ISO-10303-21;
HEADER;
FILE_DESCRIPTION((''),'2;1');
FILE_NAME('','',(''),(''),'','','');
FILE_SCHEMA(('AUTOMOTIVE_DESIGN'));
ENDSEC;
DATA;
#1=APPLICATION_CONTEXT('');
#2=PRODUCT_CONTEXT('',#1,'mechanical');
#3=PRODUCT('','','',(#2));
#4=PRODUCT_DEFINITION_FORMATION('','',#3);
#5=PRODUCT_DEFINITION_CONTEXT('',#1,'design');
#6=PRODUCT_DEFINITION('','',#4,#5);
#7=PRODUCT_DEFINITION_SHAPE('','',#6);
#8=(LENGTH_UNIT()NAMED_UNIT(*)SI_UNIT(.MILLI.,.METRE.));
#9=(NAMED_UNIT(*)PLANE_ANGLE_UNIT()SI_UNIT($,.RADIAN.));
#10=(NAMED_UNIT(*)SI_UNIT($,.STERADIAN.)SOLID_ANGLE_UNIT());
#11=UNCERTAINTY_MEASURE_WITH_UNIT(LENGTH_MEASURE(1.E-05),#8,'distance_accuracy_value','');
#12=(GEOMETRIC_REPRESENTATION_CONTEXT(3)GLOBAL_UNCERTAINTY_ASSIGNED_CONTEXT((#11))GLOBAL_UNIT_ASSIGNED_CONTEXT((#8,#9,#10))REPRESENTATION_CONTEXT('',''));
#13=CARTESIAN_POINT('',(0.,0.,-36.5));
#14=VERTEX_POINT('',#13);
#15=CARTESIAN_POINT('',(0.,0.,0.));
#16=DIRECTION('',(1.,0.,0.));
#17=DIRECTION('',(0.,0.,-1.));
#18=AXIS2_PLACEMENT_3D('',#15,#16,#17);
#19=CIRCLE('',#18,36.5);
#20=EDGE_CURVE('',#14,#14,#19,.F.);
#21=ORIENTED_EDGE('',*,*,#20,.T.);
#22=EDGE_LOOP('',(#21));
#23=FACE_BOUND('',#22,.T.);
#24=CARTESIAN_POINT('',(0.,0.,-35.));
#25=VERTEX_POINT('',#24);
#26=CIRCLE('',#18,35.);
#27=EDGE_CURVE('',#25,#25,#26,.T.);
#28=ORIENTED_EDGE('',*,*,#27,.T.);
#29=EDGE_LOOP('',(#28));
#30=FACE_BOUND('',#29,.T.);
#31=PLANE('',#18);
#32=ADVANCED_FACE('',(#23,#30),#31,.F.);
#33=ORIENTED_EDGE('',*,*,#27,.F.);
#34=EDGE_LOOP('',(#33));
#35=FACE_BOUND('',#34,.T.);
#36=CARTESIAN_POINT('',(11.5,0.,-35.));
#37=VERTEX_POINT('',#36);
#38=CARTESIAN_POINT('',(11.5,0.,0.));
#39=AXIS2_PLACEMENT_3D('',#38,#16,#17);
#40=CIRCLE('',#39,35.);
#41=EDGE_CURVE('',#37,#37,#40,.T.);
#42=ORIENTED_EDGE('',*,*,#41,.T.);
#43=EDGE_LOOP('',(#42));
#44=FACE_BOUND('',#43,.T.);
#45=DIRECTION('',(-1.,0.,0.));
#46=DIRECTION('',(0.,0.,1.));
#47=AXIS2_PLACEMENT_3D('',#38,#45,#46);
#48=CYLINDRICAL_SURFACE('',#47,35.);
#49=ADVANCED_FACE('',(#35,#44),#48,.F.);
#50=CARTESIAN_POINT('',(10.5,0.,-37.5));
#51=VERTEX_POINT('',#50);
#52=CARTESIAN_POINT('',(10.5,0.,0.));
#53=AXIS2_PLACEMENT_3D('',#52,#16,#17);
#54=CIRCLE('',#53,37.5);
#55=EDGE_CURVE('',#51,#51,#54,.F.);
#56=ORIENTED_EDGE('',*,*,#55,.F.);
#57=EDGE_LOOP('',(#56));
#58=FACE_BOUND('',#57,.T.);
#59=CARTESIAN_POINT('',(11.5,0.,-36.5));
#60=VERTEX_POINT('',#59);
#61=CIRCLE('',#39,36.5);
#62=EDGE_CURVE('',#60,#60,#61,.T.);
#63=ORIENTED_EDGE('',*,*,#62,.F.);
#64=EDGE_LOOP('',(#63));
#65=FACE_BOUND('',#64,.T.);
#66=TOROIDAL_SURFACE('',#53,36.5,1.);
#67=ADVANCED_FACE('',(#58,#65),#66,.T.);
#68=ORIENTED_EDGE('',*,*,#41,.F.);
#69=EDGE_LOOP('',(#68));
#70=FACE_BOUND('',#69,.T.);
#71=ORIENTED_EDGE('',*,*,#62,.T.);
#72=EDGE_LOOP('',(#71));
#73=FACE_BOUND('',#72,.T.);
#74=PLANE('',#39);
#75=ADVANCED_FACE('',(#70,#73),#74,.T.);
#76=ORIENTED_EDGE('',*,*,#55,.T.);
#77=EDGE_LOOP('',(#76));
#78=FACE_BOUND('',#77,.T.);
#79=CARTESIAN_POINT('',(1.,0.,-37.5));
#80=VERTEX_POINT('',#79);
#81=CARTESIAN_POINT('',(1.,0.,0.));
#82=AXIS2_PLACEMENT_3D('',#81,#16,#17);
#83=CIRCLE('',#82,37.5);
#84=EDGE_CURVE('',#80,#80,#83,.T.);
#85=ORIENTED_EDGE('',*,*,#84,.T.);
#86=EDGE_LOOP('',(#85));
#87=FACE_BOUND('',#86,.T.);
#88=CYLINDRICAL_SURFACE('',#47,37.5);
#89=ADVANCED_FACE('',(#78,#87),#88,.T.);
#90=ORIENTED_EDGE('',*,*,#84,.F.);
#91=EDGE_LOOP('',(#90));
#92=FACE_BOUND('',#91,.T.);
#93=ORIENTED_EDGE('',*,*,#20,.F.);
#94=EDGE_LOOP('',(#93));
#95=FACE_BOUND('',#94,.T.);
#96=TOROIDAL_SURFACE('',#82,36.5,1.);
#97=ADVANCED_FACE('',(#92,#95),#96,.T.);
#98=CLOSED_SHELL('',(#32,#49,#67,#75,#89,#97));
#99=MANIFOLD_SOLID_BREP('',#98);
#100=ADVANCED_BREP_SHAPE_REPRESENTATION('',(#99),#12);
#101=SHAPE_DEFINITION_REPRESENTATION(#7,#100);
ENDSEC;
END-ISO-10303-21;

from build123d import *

# Parameters (mm, degrees)
SKETCH_1_R      = 37.5
SKETCH_1_R_2    = 35
EXTRUDE_1_DEPTH = 11.5
FILLET_1_R      = 1


with BuildPart() as part:
    # Эскиз1 → Бобышка-Вытянуть1 (new body)
    with BuildSketch(Plane(origin=(0, 0, 0), x_dir=(0, 0, -1), z_dir=(1, 0, 0))):
        Circle(SKETCH_1_R)
        Circle(SKETCH_1_R_2, mode=Mode.SUBTRACT)
    extrude(amount=EXTRUDE_1_DEPTH)

    # Скругление1
    fillet_1_edges = [part.edges().sort_by_distance(p)[0] for p in [
        (0, 0, 37.5),
        (11.5, 0, 37.5),
    ]]
    fillet(fillet_1_edges, radius=FILLET_1_R)


solid = part.part
